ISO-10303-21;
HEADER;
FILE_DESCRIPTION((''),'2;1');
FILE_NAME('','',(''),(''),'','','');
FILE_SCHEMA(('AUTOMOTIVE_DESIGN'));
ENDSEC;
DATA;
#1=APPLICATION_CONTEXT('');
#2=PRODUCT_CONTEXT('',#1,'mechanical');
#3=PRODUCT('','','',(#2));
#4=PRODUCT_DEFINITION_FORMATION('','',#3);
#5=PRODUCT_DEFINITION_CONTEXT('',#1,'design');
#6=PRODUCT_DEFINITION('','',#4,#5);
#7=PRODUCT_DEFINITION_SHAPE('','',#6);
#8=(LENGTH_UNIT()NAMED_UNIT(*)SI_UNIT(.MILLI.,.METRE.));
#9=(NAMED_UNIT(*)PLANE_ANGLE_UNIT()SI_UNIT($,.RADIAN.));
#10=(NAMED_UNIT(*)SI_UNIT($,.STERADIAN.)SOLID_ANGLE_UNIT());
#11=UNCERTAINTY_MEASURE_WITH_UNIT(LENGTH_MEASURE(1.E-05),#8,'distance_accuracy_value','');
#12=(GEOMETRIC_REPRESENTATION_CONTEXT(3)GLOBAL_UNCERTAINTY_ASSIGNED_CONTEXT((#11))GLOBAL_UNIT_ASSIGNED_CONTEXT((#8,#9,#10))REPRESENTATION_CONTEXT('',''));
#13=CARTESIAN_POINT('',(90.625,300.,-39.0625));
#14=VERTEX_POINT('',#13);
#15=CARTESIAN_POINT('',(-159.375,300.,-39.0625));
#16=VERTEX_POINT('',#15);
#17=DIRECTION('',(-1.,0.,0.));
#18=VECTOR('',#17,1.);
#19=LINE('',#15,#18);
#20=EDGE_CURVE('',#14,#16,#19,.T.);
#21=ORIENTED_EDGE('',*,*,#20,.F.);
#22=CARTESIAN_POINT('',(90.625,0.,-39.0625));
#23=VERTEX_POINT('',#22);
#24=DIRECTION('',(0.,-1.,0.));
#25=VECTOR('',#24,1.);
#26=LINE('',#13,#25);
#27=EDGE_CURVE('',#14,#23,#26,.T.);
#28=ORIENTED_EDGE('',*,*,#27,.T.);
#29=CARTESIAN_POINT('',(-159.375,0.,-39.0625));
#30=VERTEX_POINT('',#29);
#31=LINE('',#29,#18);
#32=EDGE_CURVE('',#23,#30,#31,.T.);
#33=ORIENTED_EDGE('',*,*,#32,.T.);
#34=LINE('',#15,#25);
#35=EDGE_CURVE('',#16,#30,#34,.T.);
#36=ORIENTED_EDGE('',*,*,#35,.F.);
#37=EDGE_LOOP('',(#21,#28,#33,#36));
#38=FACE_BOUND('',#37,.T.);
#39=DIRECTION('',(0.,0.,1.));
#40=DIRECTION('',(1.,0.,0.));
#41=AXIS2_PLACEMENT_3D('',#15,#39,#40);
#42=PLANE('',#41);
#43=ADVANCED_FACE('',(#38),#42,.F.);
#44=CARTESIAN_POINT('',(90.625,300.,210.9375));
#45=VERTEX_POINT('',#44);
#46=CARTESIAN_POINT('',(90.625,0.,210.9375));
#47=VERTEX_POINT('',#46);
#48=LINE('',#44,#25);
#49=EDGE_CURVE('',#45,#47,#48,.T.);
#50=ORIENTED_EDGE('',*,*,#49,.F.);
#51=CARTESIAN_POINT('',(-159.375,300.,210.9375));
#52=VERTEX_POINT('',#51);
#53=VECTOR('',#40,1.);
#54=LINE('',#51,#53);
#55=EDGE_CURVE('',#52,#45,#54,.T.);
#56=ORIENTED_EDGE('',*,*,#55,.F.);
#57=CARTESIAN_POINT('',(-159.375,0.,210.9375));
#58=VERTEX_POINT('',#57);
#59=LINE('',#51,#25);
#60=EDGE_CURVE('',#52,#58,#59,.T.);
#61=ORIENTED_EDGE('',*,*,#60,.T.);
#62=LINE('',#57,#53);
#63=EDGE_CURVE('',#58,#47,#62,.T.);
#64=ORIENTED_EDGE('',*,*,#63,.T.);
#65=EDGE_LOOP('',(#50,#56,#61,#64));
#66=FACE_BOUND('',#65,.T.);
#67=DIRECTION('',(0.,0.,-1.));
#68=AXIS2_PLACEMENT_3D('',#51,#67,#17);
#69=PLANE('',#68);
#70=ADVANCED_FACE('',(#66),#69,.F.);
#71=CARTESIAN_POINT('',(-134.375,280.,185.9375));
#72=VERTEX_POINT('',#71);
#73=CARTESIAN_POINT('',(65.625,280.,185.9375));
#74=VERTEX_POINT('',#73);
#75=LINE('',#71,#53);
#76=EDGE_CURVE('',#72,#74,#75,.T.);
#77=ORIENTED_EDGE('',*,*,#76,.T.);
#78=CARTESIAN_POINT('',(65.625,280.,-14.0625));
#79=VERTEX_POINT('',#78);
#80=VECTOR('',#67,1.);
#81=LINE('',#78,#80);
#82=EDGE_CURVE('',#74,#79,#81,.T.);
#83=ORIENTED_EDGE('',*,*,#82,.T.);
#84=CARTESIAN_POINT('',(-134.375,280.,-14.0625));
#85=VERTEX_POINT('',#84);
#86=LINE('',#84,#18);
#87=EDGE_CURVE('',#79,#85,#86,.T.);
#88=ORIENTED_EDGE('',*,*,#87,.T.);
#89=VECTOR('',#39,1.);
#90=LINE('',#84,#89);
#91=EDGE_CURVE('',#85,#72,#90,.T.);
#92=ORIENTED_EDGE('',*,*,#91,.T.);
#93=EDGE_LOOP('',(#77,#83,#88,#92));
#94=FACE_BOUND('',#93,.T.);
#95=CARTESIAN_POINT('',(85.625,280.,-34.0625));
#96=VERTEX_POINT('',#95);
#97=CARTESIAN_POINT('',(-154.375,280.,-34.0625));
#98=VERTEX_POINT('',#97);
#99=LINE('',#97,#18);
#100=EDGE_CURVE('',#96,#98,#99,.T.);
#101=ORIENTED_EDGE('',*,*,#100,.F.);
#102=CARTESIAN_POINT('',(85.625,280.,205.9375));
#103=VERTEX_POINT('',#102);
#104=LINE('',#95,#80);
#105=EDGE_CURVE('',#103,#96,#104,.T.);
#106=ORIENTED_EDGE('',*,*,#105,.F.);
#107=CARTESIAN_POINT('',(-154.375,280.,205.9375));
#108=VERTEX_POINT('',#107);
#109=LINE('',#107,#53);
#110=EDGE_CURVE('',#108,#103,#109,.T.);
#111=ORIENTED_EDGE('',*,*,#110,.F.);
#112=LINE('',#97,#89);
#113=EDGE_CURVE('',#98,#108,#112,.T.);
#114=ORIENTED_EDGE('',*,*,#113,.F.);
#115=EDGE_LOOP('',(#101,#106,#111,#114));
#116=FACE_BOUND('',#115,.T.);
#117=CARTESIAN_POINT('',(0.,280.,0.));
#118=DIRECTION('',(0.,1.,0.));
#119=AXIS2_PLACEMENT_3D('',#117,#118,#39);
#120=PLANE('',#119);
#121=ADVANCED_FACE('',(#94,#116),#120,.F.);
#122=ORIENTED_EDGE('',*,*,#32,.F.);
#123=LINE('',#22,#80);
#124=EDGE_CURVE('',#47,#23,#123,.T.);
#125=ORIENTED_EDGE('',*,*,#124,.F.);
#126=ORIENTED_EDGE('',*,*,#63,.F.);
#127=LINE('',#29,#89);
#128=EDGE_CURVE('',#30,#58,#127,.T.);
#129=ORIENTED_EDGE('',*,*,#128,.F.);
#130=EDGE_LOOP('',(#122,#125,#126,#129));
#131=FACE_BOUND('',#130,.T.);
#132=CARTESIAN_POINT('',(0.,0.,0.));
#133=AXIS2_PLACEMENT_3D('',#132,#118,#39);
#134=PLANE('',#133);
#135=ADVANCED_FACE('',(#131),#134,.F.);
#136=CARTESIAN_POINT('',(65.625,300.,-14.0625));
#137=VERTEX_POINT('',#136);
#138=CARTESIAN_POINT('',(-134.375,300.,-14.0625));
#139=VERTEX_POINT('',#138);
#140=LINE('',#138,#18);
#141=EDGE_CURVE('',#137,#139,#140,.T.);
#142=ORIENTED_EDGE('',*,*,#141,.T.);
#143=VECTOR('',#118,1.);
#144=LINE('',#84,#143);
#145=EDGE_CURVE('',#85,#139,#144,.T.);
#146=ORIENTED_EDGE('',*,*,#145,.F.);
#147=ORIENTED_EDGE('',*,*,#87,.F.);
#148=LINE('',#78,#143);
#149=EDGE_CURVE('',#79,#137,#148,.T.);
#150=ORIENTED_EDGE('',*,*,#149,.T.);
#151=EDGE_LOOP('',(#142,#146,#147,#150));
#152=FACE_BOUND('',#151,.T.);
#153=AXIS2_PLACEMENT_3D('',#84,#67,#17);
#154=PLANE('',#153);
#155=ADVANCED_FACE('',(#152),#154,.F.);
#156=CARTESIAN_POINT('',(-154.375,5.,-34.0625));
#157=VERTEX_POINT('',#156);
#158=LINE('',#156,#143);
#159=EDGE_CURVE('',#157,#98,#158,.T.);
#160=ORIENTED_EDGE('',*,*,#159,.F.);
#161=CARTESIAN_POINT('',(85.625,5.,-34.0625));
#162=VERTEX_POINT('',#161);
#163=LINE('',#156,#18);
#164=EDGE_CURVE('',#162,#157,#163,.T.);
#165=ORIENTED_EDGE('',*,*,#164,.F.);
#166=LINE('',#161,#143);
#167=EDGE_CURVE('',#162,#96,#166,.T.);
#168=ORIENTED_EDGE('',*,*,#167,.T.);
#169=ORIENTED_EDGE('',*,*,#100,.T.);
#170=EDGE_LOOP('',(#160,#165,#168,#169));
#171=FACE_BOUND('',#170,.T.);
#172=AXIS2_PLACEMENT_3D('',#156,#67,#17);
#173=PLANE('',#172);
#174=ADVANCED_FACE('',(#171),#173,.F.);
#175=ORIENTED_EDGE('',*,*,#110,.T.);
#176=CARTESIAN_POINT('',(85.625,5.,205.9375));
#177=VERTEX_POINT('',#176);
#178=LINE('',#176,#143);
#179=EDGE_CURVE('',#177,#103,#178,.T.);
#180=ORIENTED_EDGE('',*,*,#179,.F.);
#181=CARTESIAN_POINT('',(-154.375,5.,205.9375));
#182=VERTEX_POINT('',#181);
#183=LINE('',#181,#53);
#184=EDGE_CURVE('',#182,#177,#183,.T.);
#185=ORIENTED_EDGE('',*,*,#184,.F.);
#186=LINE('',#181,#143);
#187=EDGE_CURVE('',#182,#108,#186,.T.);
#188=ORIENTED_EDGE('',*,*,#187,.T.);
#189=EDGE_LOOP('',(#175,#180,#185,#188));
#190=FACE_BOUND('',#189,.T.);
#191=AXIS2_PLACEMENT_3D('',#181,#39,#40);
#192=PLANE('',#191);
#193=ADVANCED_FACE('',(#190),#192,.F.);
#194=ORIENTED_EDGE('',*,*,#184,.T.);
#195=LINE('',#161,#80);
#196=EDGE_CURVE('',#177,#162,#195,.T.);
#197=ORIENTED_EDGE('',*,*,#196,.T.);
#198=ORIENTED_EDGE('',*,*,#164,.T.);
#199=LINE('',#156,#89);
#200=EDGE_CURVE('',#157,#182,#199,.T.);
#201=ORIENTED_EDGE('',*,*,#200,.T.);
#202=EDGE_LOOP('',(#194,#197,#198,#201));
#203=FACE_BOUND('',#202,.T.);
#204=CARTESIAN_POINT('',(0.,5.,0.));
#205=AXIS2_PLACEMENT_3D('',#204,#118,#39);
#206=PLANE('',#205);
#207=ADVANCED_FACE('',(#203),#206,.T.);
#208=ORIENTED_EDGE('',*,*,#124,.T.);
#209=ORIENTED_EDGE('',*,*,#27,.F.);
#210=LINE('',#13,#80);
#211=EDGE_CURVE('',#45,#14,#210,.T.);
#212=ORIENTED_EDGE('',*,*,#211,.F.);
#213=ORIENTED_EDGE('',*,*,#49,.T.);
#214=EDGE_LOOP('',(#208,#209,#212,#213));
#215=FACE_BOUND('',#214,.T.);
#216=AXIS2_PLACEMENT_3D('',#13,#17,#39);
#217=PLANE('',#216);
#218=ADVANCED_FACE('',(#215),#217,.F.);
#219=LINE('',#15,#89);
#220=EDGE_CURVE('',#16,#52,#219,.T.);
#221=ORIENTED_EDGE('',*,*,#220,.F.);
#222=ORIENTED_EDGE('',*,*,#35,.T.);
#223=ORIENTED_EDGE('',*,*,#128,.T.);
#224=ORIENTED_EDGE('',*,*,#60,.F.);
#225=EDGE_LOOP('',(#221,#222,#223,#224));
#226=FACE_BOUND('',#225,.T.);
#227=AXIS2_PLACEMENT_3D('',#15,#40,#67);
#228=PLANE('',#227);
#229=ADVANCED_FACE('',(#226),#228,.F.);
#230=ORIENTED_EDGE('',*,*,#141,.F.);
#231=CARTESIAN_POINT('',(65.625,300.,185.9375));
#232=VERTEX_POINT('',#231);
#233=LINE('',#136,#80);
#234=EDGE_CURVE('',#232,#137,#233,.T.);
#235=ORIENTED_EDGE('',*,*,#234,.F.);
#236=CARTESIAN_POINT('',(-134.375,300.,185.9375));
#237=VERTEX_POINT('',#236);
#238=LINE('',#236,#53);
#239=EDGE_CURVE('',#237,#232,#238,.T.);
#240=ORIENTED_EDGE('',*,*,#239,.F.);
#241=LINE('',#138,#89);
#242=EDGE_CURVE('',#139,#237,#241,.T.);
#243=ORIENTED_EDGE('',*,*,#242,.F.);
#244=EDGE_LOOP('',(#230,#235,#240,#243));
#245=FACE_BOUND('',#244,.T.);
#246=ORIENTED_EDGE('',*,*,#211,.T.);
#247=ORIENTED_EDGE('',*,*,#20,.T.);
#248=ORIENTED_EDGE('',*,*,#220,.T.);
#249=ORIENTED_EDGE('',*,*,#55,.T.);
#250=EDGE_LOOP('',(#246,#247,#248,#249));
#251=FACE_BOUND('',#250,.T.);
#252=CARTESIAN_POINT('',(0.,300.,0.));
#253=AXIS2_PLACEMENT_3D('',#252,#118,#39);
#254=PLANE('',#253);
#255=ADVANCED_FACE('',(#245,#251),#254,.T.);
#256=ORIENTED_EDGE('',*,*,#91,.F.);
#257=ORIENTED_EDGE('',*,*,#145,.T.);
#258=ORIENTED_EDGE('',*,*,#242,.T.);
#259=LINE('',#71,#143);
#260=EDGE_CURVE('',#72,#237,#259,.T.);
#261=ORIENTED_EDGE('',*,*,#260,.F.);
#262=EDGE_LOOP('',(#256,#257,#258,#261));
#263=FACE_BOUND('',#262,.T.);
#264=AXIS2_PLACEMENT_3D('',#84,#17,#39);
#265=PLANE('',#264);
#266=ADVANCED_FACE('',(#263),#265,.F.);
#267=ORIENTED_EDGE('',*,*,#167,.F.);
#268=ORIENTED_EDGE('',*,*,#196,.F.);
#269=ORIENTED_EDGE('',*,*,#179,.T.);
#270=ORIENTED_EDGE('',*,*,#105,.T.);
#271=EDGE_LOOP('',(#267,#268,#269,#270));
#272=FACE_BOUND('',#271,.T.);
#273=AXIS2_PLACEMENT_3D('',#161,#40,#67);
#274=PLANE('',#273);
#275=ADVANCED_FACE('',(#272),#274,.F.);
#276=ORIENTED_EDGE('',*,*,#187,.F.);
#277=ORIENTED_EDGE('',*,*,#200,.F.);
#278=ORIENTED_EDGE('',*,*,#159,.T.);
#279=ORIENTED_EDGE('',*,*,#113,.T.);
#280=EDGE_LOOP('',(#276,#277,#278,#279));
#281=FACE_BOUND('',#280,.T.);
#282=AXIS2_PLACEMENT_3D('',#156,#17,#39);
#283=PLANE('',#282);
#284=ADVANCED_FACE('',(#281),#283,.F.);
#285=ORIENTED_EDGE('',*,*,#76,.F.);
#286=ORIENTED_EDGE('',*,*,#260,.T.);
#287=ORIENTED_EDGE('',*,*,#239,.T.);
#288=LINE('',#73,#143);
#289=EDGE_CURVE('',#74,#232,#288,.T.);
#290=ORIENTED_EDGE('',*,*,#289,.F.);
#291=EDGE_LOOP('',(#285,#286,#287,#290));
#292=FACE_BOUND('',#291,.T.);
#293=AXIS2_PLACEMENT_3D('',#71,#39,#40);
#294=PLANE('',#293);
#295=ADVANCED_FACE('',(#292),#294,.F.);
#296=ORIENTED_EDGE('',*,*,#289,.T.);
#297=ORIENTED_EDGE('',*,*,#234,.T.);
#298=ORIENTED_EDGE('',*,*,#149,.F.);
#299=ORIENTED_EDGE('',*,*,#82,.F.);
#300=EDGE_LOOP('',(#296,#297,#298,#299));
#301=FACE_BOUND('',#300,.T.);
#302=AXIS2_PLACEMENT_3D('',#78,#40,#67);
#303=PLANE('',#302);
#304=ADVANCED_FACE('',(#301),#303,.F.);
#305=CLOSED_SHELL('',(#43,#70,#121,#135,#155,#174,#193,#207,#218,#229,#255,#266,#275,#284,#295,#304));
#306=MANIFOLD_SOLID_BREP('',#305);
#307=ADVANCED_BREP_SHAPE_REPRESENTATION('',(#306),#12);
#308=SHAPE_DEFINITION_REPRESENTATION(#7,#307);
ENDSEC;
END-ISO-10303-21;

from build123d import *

# Parameters (mm, degrees)
SZKIC1_W                    = 250
SZKIC1_H                    = 250
DODANIE_WYCI_GNI_CIE1_DEPTH = 300
SZKIC2_W                    = 240
SZKIC2_H                    = 240
WYTNIJ_WYCI_GNI_CIE1_DEPTH  = 295
SZKIC3_W                    = 240
SZKIC3_H                    = 240
SZKIC3_W_2                  = 200
SZKIC3_H_2                  = 200
DODANIE_WYCI_GNI_CIE2_DEPTH = 20


with BuildPart() as part:
    # Szkic1 → Dodanie-wyciągnięcie1 (new body)
    with BuildSketch(Plane(origin=(0, 0, 0), x_dir=(1, 0, 0), z_dir=(0, 1, 0))):
        with Locations((-34.375, -85.9375)):
            Rectangle(SZKIC1_W, SZKIC1_H)
    extrude(amount=DODANIE_WYCI_GNI_CIE1_DEPTH)

    # Szkic2 → Wytnij-wyciągnięcie1 (cut)
    with BuildSketch(Plane(origin=(0, 300, 0), x_dir=(1, 0, 0), z_dir=(0, 1, 0))):
        with Locations((-34.375, -85.9375)):
            Rectangle(SZKIC2_W, SZKIC2_H)
    extrude(amount=-WYTNIJ_WYCI_GNI_CIE1_DEPTH, mode=Mode.SUBTRACT)

    # Szkic3 → Dodanie-wyciągnięcie2 (add)
    with BuildSketch(Plane(origin=(0, 300, 0), x_dir=(1, 0, 0), z_dir=(0, 1, 0))):
        with Locations((-34.375, -85.9375)):
            Rectangle(SZKIC3_W, SZKIC3_H)
        with Locations((-34.375, -85.9375)):
            Rectangle(SZKIC3_W_2, SZKIC3_H_2, mode=Mode.SUBTRACT)
    extrude(amount=-DODANIE_WYCI_GNI_CIE2_DEPTH)


solid = part.part
